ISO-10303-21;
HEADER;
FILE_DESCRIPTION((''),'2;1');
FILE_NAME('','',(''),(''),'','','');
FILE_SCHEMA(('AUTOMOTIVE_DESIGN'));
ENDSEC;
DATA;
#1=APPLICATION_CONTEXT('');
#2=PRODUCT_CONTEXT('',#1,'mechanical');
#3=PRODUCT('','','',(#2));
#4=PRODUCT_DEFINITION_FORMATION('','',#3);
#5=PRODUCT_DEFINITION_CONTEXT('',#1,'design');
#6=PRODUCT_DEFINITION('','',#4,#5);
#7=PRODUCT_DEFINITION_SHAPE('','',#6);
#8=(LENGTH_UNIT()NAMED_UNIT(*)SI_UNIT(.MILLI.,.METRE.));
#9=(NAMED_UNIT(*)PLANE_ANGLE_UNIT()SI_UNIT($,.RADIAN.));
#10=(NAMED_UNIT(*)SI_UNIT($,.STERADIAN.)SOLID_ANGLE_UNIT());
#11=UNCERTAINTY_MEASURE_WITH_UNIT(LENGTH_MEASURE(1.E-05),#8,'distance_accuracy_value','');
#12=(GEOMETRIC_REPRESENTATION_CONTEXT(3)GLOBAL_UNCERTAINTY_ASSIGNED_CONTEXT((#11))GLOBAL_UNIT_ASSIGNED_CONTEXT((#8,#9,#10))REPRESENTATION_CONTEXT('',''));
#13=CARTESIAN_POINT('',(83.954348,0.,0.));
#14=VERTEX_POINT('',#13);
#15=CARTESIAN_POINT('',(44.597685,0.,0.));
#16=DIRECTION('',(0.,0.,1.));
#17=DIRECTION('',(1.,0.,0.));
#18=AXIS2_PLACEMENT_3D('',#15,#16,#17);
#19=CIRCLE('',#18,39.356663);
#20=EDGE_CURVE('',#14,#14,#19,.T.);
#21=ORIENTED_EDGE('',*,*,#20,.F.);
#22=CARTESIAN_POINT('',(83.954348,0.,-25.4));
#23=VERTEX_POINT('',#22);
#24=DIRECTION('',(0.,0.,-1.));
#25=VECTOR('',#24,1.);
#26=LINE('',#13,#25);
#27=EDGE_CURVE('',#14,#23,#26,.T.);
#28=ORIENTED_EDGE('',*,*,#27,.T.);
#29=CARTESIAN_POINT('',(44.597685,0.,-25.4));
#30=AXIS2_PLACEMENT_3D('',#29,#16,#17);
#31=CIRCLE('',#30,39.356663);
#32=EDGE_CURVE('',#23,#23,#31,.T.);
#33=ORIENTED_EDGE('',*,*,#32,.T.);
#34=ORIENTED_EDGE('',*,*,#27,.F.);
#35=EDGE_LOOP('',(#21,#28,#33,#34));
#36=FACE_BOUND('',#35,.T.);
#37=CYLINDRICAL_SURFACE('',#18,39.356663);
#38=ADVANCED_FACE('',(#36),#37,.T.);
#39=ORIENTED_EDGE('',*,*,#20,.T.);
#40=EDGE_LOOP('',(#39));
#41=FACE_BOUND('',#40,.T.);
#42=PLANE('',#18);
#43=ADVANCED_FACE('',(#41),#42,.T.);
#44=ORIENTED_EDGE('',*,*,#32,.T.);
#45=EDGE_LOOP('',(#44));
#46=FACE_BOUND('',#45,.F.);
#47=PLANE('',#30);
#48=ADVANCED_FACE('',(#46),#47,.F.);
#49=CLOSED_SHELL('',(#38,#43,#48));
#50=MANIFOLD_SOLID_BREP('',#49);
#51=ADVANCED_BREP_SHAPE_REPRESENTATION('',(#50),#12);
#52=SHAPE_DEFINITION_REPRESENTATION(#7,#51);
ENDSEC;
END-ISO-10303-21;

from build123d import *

# Parameters (mm, degrees)
F0_R     = 39.356663
F1_DEPTH = 25.4


with BuildPart() as f1:
    # F0 (on Top) → F1 (new body)
    with BuildSketch(Plane.XY):
        with Locations((44.597685, 0)):
            Circle(F0_R)
    extrude(amount=-F1_DEPTH)


solid = f1.part
